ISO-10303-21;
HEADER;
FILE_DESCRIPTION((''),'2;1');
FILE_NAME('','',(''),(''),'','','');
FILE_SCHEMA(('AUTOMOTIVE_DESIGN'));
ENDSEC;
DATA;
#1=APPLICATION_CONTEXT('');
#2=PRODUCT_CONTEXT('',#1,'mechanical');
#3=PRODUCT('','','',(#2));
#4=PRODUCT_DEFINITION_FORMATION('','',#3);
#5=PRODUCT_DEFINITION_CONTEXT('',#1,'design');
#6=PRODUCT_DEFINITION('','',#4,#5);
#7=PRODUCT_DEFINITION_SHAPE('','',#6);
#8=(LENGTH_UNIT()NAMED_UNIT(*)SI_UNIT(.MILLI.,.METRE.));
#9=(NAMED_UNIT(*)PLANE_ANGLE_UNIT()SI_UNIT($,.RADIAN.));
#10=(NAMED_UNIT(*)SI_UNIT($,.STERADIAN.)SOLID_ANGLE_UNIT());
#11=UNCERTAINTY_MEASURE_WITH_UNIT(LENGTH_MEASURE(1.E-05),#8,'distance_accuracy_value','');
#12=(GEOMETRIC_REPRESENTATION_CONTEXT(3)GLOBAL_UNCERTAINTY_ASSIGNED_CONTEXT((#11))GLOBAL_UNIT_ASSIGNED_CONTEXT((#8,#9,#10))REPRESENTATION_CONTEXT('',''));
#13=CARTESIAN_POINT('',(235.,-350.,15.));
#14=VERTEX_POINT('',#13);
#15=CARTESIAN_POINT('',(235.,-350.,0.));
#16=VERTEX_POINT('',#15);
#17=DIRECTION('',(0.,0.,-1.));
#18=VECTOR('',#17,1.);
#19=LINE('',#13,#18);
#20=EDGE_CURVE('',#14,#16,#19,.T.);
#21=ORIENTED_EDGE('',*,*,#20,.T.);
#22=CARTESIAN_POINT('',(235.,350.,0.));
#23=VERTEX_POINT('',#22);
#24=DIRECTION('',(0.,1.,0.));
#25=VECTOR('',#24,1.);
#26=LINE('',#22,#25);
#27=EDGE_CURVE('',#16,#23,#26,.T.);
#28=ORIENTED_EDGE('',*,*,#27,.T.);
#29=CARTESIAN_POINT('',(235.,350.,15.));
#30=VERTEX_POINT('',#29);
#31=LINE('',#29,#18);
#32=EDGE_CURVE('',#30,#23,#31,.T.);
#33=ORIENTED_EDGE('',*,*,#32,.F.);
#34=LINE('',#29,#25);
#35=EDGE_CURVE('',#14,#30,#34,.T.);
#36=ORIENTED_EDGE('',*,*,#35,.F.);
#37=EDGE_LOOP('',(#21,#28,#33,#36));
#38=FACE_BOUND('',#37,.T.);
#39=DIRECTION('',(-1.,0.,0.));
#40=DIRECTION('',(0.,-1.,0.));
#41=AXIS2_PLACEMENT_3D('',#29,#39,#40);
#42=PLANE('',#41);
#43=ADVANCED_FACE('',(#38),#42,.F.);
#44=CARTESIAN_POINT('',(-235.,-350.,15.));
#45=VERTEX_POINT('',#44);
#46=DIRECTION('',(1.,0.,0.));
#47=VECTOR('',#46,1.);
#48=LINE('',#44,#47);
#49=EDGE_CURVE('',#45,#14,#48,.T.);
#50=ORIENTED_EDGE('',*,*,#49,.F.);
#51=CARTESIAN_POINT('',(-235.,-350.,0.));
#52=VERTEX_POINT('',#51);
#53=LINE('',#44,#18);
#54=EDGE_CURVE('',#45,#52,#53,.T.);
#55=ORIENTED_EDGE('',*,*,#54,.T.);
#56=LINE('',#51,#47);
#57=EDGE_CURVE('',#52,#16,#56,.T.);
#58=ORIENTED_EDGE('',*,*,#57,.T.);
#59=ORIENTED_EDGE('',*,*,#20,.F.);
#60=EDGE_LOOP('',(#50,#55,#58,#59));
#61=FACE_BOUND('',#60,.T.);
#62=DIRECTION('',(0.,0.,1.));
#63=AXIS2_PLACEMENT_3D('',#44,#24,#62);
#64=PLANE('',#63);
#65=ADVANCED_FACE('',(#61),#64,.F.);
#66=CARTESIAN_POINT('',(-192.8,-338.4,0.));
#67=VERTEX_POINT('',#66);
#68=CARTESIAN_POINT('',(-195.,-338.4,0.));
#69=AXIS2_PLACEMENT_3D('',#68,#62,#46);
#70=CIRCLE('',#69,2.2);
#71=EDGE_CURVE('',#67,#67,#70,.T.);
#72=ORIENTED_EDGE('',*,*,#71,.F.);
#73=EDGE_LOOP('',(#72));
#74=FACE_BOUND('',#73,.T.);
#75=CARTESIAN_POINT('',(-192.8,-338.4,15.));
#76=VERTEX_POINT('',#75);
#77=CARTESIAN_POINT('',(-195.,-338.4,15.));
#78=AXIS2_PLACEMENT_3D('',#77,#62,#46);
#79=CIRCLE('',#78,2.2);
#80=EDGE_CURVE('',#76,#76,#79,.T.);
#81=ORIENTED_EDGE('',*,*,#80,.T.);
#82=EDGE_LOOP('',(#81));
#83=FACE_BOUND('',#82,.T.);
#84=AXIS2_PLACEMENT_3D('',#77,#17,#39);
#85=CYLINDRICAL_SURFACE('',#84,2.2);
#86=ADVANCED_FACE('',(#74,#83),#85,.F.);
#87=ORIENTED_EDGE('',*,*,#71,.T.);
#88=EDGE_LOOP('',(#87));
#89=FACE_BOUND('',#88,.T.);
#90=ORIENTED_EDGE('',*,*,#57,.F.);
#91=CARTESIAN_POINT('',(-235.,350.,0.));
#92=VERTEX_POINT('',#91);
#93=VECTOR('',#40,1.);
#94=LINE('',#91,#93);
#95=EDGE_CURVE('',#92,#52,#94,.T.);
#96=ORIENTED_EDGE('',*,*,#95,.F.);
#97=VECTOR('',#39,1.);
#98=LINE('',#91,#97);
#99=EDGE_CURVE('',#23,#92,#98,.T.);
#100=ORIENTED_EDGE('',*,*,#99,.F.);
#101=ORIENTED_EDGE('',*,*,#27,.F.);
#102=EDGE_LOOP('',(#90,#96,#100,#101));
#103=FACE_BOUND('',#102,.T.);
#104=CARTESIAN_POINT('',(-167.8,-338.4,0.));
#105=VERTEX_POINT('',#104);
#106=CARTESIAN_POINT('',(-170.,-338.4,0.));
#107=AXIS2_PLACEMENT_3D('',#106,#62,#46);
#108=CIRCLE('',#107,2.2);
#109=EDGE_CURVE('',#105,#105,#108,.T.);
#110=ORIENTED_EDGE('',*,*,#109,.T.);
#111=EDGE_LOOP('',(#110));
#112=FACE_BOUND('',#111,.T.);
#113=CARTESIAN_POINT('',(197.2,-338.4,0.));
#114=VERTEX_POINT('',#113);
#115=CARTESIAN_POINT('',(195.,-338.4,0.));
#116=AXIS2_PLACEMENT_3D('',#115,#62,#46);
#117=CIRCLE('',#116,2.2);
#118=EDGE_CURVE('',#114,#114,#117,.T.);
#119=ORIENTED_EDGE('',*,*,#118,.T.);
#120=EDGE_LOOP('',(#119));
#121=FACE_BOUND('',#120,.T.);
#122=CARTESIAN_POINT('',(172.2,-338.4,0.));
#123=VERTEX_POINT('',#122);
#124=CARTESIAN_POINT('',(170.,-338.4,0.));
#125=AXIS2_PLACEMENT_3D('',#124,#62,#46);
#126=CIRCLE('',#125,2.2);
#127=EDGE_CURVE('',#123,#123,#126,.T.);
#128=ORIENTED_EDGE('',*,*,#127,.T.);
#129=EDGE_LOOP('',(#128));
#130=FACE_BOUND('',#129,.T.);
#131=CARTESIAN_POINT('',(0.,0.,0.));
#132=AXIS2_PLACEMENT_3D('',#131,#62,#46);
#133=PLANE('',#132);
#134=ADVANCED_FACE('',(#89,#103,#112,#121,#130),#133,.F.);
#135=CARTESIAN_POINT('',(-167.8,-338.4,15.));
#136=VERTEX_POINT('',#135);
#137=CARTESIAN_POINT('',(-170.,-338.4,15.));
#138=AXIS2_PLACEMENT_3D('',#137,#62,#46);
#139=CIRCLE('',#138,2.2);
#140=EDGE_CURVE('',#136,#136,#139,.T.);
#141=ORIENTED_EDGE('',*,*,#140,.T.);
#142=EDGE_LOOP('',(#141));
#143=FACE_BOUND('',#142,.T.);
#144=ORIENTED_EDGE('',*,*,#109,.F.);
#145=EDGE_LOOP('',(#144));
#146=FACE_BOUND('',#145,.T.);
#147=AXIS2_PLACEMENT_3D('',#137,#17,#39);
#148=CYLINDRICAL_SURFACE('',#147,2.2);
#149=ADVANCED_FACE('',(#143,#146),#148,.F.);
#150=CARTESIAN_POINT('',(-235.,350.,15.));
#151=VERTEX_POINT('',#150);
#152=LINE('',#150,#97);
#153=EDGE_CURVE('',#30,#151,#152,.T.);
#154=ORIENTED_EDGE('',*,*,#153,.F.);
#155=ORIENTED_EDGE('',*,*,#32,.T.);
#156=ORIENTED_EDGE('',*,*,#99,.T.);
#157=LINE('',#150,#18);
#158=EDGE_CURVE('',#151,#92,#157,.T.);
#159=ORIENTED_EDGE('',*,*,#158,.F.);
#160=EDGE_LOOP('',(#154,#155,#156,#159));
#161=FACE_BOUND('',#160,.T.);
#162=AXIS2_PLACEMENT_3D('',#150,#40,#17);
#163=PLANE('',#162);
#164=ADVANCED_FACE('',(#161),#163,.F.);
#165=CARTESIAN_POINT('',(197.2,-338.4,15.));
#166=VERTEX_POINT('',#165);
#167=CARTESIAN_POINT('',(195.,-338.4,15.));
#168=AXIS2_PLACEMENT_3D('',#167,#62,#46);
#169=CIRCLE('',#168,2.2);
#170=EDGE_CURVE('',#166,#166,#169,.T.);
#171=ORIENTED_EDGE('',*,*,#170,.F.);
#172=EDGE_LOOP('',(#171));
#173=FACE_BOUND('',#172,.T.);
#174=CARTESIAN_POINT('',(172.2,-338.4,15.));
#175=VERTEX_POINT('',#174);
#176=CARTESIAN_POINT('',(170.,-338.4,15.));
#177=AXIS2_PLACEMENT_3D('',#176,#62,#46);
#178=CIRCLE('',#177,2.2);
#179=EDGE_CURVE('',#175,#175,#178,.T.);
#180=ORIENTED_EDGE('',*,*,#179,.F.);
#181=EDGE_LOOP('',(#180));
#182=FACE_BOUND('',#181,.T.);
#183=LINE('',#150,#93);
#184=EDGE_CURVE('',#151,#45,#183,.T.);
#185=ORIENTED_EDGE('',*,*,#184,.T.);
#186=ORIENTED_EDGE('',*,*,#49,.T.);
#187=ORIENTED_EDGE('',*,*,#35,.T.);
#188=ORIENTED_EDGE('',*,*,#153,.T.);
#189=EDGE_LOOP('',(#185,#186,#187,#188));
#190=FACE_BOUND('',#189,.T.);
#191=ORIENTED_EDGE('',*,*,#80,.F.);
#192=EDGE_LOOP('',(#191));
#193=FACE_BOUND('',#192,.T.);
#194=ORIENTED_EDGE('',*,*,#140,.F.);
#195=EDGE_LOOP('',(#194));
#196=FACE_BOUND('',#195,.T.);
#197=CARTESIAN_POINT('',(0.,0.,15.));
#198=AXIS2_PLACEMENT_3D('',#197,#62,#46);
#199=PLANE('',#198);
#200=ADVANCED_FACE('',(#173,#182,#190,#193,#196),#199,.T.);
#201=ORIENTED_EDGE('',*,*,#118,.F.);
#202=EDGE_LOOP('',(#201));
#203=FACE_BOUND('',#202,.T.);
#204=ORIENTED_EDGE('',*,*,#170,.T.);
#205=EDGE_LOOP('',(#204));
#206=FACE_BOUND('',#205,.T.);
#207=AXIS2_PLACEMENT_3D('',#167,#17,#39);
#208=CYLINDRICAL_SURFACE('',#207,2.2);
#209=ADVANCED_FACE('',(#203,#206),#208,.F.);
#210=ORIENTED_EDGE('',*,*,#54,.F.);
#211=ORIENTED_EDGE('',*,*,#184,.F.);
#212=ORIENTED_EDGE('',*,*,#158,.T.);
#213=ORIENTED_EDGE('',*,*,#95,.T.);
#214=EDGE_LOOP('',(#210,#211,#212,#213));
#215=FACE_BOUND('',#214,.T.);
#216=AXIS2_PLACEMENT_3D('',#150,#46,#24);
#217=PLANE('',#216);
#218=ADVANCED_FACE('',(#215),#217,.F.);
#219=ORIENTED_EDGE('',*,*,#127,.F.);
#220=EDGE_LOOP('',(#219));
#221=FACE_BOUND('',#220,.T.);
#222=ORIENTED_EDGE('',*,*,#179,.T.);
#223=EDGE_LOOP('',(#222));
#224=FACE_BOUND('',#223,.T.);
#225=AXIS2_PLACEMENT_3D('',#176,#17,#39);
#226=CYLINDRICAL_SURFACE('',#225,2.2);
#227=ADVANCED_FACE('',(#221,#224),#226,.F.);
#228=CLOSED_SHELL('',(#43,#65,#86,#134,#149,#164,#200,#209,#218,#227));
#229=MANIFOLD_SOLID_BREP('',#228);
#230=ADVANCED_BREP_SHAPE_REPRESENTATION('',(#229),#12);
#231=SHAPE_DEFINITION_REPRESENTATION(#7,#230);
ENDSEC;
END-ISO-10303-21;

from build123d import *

# Parameters (mm, degrees)
SKETCH1_W           = 470
SKETCH1_H           = 700
SKETCH1_R           = 2.2
BOSS_EXTRUDE1_DEPTH = 15


with BuildPart() as part:
    # Sketch1 → Boss-Extrude1 (new body)
    with BuildSketch(Plane.XY):
        Rectangle(SKETCH1_W, SKETCH1_H)
        with Locations((-195, -338.4)):
            Circle(SKETCH1_R, mode=Mode.SUBTRACT)
        with Locations((195, -338.4)):
            Circle(SKETCH1_R, mode=Mode.SUBTRACT)
        with Locations((-170, -338.4)):
            Circle(SKETCH1_R, mode=Mode.SUBTRACT)
        with Locations((170, -338.4)):
            Circle(SKETCH1_R, mode=Mode.SUBTRACT)
    extrude(amount=BOSS_EXTRUDE1_DEPTH)


solid = part.part
